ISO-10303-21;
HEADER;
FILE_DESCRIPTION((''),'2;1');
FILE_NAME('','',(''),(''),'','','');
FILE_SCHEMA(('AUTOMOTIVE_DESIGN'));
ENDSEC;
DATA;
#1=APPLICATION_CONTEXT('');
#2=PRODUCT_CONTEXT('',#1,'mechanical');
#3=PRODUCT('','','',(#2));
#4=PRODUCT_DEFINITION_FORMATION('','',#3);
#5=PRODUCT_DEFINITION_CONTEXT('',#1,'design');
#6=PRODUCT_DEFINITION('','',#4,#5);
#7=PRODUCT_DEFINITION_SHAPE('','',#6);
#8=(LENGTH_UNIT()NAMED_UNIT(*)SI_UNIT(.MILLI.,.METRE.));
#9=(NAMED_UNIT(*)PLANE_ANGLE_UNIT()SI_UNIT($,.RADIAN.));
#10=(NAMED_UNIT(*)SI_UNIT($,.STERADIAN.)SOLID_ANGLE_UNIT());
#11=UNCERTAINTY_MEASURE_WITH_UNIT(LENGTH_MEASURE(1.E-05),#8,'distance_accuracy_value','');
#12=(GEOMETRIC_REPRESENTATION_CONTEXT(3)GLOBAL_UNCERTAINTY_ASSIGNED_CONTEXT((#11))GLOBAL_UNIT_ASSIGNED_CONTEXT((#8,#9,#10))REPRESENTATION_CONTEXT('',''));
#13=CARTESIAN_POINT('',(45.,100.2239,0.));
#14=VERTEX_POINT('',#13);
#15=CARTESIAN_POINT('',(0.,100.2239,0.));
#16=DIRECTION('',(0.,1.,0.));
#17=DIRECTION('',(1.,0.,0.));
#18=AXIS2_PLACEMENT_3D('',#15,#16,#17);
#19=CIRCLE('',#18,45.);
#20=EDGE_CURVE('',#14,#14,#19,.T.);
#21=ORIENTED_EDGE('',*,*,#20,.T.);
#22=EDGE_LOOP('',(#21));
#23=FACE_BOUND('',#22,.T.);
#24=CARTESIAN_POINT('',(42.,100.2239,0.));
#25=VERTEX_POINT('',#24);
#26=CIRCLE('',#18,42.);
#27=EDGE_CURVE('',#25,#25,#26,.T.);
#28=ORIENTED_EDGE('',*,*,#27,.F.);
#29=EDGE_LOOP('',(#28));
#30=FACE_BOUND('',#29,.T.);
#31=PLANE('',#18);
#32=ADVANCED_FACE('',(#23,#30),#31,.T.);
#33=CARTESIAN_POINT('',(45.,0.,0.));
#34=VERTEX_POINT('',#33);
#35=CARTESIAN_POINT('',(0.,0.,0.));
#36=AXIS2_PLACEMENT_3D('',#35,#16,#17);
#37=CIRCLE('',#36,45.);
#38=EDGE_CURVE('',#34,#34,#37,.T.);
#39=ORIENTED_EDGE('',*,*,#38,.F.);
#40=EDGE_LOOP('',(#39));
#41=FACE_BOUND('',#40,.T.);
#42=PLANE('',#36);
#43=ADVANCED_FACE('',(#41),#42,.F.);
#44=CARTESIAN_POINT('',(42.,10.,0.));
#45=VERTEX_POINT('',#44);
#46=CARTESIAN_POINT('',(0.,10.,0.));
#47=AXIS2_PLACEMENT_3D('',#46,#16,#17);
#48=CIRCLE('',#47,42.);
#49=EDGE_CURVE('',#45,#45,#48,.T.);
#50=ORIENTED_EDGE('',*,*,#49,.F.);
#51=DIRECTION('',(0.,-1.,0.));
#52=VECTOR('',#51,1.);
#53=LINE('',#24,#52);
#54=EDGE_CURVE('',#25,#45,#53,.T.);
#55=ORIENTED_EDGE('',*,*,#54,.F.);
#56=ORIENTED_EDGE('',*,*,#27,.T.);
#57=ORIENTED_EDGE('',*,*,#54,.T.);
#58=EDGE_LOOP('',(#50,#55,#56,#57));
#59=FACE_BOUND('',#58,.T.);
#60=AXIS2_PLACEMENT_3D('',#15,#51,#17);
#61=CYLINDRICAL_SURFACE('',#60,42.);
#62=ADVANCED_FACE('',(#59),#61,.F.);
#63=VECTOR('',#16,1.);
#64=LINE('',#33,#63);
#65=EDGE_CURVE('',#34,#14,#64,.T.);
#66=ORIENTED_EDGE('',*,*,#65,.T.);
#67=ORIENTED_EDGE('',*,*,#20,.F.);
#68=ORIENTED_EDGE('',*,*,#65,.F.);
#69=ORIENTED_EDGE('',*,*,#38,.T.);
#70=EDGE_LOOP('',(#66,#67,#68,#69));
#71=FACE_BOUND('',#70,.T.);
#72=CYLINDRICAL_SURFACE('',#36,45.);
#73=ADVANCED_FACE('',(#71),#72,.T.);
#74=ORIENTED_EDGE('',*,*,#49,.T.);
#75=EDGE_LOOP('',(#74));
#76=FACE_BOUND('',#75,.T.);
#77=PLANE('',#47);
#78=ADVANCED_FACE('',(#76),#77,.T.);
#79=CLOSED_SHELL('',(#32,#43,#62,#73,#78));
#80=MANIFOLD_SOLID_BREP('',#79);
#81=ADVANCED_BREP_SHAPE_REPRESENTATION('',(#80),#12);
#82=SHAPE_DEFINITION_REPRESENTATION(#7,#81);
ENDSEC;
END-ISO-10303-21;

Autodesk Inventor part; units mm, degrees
ref_plane "YZ Plane" through (0, 0, 0) normal (1, 0, 0) x (0, 1, 0)
ref_plane "XZ Plane" through (0, 0, 0) normal (0, 1, 0) x (-1, 0, 0)
ref_plane "XY Plane" through (0, 0, 0) normal (0, 0, 1) x (1, 0, 0)
sketch "Sketch1" plane through (0, 0, 0) normal (0, 0, 1) x (1, 0, 0)
  line L0 (45, 0) -> (45, 100.2239)
  line L1 (45, 100.2239) -> (42, 100.2239)
  line L2 (42, 100.2239) -> (42, 10)
  line L3 (42, 10) -> (0, 10)
  line L4 (0, 10) -> (0, 0)
  line L5 (0, 0) -> (45, 0)
  line L6 (0, -20.0448) -> (0, 120.2687) projected
  dimension "d1" = 3
  dimension "d8" = 42
  dimension "d10" = 10
  dimension "d11" = 90.2239
revolve "Revolution1" add sketch "Sketch1" angle 360 about axis through (0, -10, 0) along (0, 1, 0)
properties part number "Cylinder_500ml_new"
